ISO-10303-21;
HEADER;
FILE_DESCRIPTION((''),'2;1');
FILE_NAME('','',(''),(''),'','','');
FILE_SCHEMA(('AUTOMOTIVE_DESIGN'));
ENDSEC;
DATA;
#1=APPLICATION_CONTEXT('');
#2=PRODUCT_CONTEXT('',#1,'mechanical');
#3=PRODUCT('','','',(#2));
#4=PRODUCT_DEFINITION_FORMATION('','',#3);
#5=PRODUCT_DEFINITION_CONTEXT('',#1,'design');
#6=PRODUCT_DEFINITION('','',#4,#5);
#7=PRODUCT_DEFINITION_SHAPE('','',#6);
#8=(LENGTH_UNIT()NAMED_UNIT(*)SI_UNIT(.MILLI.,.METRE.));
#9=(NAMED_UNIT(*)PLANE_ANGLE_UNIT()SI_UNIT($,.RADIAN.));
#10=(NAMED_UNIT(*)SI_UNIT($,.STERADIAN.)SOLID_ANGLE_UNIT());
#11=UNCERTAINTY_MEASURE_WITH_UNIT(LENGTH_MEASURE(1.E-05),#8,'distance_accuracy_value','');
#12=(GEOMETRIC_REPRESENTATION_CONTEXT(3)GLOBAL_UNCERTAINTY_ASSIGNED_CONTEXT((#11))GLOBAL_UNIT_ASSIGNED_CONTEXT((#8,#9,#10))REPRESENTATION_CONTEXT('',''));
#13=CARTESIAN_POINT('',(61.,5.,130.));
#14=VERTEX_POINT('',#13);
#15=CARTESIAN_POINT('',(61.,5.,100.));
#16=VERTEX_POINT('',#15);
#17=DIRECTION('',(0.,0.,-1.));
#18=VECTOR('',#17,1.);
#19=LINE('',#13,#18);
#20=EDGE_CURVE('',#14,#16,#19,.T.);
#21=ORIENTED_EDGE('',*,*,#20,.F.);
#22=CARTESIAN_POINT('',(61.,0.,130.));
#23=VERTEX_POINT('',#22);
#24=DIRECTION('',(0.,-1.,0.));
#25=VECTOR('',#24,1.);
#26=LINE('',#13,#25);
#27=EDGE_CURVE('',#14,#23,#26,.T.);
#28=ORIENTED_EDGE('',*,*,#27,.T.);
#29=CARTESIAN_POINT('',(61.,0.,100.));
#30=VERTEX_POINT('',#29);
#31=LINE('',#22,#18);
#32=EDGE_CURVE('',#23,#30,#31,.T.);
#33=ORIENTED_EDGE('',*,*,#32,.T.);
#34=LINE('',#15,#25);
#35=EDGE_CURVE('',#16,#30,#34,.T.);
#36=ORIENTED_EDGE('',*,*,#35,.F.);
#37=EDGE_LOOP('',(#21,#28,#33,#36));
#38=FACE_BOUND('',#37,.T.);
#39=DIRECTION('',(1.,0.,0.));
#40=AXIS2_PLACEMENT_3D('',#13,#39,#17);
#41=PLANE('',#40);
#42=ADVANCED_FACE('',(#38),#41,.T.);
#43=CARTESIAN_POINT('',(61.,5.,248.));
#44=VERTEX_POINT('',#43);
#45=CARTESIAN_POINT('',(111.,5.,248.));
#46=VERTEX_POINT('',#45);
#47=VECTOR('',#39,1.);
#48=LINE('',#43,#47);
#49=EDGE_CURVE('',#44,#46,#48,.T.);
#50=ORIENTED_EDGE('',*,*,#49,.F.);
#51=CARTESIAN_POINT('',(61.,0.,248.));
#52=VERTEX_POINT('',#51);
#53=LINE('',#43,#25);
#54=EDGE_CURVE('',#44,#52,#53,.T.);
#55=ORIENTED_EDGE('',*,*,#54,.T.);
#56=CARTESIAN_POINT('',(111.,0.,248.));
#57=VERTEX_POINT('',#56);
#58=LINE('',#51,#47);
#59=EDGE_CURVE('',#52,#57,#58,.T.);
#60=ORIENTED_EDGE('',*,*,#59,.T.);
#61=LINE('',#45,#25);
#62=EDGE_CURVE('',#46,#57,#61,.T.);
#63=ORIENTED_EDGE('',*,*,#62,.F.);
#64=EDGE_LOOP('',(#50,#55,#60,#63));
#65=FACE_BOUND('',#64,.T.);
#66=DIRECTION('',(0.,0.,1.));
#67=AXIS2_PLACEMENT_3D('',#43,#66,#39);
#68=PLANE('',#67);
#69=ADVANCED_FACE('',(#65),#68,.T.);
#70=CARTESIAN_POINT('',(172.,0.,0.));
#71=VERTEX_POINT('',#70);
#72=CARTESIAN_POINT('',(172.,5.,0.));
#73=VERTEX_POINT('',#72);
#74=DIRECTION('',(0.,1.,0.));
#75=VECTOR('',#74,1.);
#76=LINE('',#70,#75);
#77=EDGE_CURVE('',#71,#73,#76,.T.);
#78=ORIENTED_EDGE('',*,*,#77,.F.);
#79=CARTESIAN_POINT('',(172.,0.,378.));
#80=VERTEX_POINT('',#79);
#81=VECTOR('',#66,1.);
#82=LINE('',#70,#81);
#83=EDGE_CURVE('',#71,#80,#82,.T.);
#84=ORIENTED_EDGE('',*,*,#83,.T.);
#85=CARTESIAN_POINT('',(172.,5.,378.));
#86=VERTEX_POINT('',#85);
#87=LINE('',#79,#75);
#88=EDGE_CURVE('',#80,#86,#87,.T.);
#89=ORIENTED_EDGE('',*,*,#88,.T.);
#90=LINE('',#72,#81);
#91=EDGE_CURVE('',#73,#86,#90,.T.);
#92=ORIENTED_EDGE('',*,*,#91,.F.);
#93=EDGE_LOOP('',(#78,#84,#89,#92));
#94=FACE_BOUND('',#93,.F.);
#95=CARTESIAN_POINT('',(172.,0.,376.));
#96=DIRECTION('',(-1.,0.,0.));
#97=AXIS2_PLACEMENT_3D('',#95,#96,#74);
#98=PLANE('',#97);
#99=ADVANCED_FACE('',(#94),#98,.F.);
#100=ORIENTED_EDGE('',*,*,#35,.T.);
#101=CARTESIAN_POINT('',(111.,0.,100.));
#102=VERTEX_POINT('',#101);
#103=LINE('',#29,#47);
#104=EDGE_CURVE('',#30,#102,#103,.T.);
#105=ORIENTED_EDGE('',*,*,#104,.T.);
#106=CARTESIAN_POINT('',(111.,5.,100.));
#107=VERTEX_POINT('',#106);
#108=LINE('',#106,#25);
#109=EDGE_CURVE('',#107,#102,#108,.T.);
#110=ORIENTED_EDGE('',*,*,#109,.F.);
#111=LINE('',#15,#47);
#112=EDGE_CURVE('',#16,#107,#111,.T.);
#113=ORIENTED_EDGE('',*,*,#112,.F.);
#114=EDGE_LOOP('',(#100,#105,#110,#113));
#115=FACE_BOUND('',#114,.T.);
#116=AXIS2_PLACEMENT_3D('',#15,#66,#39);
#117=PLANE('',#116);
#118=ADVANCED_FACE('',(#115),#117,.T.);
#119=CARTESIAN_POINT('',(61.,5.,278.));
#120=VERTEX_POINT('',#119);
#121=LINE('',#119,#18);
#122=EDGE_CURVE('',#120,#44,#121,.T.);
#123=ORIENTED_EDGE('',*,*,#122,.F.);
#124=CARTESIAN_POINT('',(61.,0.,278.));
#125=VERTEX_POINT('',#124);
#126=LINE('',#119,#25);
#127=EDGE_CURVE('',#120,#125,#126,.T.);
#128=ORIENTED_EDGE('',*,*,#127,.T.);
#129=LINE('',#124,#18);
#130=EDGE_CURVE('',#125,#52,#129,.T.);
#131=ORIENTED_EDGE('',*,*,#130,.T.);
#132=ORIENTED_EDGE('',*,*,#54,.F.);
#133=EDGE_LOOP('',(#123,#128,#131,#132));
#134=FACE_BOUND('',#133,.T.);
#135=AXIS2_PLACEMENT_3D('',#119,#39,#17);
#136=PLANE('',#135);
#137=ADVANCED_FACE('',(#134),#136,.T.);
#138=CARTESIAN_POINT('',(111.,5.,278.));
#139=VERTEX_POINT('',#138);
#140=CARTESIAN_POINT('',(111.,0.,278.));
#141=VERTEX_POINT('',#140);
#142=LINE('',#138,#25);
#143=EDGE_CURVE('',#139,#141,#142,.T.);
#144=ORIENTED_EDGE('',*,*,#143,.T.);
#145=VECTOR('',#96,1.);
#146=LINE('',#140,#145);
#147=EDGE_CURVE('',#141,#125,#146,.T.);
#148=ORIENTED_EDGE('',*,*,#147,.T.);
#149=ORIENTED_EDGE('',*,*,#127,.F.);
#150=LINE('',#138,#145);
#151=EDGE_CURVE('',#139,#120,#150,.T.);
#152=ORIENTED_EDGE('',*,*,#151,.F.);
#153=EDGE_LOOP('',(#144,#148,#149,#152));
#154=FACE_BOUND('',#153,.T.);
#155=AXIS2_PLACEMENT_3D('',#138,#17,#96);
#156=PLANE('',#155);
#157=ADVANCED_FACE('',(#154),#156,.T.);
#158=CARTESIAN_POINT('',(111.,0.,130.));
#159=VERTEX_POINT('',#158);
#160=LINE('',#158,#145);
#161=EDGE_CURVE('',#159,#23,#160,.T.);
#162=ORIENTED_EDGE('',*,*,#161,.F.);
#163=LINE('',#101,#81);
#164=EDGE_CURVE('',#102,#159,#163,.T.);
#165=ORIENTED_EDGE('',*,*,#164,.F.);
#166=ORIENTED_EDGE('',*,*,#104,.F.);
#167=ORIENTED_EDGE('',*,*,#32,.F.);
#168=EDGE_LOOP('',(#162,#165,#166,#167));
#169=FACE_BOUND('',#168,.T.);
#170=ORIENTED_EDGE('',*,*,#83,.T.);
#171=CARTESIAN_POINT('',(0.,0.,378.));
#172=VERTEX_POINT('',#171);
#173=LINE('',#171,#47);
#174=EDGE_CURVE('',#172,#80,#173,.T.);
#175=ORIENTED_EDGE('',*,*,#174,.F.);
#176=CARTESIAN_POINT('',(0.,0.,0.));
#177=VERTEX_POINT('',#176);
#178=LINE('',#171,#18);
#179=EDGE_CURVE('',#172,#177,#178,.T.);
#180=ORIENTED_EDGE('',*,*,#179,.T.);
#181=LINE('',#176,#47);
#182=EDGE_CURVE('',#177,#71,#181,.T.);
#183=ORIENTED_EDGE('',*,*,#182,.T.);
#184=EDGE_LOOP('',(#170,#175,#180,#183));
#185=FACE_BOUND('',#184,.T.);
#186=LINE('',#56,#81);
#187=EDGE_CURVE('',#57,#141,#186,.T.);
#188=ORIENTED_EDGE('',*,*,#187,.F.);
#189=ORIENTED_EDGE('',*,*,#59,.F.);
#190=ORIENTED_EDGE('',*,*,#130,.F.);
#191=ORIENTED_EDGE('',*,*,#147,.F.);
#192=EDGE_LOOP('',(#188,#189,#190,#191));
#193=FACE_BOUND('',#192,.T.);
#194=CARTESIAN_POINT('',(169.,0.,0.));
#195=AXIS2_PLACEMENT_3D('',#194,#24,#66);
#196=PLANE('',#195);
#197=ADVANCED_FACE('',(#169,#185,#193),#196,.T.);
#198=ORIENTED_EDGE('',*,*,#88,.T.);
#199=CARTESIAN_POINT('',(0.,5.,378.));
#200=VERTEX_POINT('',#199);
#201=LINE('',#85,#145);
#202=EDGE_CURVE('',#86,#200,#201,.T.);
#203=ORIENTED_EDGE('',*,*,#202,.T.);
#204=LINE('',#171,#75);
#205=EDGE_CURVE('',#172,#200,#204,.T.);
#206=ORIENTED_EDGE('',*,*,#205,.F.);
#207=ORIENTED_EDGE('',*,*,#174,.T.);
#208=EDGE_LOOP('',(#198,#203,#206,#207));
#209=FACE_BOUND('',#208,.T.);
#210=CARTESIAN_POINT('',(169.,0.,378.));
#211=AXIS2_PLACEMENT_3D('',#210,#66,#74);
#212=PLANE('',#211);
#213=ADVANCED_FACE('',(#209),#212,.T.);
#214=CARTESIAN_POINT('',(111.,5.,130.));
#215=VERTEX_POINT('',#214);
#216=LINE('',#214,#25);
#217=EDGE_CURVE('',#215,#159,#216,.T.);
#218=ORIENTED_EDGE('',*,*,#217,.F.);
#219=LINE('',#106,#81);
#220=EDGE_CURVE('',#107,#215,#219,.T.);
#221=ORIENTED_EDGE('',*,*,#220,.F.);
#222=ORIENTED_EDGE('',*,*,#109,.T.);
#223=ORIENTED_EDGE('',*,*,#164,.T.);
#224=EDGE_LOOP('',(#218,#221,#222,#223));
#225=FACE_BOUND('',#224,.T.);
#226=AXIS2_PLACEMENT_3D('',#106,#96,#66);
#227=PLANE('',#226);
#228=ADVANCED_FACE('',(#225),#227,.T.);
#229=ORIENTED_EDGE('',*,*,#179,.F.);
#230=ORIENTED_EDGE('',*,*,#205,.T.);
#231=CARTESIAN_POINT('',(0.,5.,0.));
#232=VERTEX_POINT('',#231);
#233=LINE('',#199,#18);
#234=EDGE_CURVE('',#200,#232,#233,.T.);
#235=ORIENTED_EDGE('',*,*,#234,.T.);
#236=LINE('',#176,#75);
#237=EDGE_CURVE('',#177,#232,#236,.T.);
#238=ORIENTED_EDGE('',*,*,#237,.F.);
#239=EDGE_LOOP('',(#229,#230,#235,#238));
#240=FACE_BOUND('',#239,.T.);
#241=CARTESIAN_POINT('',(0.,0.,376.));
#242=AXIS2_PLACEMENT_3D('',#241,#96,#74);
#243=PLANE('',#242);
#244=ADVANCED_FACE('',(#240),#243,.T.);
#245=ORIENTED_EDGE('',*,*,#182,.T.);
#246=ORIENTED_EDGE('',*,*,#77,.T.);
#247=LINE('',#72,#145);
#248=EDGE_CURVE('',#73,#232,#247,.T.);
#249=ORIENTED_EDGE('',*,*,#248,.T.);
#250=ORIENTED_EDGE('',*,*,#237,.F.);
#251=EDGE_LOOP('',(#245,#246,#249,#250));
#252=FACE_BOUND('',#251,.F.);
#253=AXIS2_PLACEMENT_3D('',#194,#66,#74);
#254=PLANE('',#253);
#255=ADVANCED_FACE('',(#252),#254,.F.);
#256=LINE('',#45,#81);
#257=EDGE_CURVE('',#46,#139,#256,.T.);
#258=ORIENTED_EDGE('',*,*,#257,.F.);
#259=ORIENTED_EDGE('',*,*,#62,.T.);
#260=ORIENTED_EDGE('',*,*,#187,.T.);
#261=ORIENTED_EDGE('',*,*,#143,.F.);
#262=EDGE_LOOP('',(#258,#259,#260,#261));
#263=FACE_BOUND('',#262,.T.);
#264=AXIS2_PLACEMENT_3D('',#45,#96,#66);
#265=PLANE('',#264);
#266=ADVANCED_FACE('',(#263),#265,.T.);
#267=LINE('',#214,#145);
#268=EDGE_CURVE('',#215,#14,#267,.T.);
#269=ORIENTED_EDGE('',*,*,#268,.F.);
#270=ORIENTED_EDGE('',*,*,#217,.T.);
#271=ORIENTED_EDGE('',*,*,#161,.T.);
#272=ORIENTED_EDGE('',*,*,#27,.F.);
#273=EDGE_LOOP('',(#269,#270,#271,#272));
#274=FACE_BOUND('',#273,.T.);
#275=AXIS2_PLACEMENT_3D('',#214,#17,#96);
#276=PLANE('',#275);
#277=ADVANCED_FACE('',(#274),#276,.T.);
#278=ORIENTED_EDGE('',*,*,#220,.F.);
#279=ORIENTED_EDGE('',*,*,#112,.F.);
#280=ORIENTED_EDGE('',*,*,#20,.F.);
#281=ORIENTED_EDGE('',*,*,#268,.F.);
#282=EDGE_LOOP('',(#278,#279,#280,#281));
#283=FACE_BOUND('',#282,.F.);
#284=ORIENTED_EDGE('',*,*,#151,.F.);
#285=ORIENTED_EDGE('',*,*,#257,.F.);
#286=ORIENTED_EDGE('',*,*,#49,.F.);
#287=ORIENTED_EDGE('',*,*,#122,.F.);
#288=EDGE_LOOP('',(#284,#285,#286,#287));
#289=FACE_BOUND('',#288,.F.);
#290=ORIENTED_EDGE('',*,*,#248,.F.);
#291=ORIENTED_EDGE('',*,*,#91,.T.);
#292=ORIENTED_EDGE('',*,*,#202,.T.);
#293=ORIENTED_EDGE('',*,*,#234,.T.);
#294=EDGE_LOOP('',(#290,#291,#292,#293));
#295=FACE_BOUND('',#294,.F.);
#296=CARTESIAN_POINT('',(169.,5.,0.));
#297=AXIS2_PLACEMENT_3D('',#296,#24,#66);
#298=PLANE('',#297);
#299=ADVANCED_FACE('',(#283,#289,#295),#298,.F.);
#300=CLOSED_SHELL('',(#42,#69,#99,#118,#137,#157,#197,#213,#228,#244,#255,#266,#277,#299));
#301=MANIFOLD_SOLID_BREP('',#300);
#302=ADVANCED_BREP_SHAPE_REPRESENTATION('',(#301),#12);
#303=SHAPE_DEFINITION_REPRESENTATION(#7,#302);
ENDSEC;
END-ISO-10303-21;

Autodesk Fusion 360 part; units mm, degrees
sketch "Sketch1" plane through (0, 0, 0) normal (0, 1, 0) x (1, 0, 0)
  line L0 (0, 0) -> (170, 0)
  line L1 (170, 0) -> (170, -376)
  line L2 (170, -376) -> (0, -376)
  line L3 (0, -376) -> (0, 0)
  dimension "d1" = 170
  dimension "d2" = 376
extrude "Extrude1" add sketch "Sketch1" along normal blind 5
sketch "Sketch2" plane through (0, 0, 0) normal (-1, 0, 0) x (0, 0, 1)
  line L0 (0, 0) -> (376, 0)
  line L1 (376, 0) -> (376, 5)
  line L2 (376, 5) -> (0, 5)
  line L3 (0, 5) -> (0, 0)
extrude "Extrude2" cut 1 faces at (56.6667, 1.6667, 0) along direction (0, 0, 1) blind 3
extrude "Extrude3" cut 1 faces at (170, 1.6667, 127.3333) along direction (-1, 0, 0) blind 3
extrude "Extrude4" add 1 faces at (55.6667, 1.6667, 3) along direction (0, 0, -1) blind 3
extrude "Extrude5" add 1 faces at (167, 1.6667, 250.6667) along direction (1, 0, 0) blind 2
extrude "Extrude6" add 1 faces at (56.3333, 1.6667, 376) along direction (0, 0, 1) blind 2
extrude "Extrude7" add 1 faces at (169, 3.3333, 252) along direction (1, 0, 0) blind 3
sketch "Sketch3" plane through (0, 5, 0) normal (0, 1, 0) x (-1, 0, 0)
  line L0 (-172, 0) -> (0, 0)
  line L1 (0, 0) -> (0, 378)
  line L2 (0, 378) -> (-172, 378)
  line L3 (-172, 378) -> (-172, 0)
  line L4 (-61, 248) -> (-111, 248)
  line L5 (-111, 248) -> (-111, 278)
  line L6 (-111, 278) -> (-61, 278)
  line L7 (-61, 278) -> (-61, 248)
  line L8 (-61, 100) -> (-111, 100)
  line L9 (-111, 100) -> (-111, 130)
  line L10 (-111, 130) -> (-61, 130)
  line L11 (-61, 130) -> (-61, 100)
  dimension "d17" = 50
  dimension "d18" = 30
  dimension "d19" = 50
  dimension "d20" = 30
  dimension "d21" = 100
  dimension "d22" = 100
  dimension "d23" = 61
  dimension "d24" = 61
extrude "Extrude8" cut sketch "Sketch3" against normal blind 5 contours L4 L5 L6 L7 | L8 L9 L10 L11
